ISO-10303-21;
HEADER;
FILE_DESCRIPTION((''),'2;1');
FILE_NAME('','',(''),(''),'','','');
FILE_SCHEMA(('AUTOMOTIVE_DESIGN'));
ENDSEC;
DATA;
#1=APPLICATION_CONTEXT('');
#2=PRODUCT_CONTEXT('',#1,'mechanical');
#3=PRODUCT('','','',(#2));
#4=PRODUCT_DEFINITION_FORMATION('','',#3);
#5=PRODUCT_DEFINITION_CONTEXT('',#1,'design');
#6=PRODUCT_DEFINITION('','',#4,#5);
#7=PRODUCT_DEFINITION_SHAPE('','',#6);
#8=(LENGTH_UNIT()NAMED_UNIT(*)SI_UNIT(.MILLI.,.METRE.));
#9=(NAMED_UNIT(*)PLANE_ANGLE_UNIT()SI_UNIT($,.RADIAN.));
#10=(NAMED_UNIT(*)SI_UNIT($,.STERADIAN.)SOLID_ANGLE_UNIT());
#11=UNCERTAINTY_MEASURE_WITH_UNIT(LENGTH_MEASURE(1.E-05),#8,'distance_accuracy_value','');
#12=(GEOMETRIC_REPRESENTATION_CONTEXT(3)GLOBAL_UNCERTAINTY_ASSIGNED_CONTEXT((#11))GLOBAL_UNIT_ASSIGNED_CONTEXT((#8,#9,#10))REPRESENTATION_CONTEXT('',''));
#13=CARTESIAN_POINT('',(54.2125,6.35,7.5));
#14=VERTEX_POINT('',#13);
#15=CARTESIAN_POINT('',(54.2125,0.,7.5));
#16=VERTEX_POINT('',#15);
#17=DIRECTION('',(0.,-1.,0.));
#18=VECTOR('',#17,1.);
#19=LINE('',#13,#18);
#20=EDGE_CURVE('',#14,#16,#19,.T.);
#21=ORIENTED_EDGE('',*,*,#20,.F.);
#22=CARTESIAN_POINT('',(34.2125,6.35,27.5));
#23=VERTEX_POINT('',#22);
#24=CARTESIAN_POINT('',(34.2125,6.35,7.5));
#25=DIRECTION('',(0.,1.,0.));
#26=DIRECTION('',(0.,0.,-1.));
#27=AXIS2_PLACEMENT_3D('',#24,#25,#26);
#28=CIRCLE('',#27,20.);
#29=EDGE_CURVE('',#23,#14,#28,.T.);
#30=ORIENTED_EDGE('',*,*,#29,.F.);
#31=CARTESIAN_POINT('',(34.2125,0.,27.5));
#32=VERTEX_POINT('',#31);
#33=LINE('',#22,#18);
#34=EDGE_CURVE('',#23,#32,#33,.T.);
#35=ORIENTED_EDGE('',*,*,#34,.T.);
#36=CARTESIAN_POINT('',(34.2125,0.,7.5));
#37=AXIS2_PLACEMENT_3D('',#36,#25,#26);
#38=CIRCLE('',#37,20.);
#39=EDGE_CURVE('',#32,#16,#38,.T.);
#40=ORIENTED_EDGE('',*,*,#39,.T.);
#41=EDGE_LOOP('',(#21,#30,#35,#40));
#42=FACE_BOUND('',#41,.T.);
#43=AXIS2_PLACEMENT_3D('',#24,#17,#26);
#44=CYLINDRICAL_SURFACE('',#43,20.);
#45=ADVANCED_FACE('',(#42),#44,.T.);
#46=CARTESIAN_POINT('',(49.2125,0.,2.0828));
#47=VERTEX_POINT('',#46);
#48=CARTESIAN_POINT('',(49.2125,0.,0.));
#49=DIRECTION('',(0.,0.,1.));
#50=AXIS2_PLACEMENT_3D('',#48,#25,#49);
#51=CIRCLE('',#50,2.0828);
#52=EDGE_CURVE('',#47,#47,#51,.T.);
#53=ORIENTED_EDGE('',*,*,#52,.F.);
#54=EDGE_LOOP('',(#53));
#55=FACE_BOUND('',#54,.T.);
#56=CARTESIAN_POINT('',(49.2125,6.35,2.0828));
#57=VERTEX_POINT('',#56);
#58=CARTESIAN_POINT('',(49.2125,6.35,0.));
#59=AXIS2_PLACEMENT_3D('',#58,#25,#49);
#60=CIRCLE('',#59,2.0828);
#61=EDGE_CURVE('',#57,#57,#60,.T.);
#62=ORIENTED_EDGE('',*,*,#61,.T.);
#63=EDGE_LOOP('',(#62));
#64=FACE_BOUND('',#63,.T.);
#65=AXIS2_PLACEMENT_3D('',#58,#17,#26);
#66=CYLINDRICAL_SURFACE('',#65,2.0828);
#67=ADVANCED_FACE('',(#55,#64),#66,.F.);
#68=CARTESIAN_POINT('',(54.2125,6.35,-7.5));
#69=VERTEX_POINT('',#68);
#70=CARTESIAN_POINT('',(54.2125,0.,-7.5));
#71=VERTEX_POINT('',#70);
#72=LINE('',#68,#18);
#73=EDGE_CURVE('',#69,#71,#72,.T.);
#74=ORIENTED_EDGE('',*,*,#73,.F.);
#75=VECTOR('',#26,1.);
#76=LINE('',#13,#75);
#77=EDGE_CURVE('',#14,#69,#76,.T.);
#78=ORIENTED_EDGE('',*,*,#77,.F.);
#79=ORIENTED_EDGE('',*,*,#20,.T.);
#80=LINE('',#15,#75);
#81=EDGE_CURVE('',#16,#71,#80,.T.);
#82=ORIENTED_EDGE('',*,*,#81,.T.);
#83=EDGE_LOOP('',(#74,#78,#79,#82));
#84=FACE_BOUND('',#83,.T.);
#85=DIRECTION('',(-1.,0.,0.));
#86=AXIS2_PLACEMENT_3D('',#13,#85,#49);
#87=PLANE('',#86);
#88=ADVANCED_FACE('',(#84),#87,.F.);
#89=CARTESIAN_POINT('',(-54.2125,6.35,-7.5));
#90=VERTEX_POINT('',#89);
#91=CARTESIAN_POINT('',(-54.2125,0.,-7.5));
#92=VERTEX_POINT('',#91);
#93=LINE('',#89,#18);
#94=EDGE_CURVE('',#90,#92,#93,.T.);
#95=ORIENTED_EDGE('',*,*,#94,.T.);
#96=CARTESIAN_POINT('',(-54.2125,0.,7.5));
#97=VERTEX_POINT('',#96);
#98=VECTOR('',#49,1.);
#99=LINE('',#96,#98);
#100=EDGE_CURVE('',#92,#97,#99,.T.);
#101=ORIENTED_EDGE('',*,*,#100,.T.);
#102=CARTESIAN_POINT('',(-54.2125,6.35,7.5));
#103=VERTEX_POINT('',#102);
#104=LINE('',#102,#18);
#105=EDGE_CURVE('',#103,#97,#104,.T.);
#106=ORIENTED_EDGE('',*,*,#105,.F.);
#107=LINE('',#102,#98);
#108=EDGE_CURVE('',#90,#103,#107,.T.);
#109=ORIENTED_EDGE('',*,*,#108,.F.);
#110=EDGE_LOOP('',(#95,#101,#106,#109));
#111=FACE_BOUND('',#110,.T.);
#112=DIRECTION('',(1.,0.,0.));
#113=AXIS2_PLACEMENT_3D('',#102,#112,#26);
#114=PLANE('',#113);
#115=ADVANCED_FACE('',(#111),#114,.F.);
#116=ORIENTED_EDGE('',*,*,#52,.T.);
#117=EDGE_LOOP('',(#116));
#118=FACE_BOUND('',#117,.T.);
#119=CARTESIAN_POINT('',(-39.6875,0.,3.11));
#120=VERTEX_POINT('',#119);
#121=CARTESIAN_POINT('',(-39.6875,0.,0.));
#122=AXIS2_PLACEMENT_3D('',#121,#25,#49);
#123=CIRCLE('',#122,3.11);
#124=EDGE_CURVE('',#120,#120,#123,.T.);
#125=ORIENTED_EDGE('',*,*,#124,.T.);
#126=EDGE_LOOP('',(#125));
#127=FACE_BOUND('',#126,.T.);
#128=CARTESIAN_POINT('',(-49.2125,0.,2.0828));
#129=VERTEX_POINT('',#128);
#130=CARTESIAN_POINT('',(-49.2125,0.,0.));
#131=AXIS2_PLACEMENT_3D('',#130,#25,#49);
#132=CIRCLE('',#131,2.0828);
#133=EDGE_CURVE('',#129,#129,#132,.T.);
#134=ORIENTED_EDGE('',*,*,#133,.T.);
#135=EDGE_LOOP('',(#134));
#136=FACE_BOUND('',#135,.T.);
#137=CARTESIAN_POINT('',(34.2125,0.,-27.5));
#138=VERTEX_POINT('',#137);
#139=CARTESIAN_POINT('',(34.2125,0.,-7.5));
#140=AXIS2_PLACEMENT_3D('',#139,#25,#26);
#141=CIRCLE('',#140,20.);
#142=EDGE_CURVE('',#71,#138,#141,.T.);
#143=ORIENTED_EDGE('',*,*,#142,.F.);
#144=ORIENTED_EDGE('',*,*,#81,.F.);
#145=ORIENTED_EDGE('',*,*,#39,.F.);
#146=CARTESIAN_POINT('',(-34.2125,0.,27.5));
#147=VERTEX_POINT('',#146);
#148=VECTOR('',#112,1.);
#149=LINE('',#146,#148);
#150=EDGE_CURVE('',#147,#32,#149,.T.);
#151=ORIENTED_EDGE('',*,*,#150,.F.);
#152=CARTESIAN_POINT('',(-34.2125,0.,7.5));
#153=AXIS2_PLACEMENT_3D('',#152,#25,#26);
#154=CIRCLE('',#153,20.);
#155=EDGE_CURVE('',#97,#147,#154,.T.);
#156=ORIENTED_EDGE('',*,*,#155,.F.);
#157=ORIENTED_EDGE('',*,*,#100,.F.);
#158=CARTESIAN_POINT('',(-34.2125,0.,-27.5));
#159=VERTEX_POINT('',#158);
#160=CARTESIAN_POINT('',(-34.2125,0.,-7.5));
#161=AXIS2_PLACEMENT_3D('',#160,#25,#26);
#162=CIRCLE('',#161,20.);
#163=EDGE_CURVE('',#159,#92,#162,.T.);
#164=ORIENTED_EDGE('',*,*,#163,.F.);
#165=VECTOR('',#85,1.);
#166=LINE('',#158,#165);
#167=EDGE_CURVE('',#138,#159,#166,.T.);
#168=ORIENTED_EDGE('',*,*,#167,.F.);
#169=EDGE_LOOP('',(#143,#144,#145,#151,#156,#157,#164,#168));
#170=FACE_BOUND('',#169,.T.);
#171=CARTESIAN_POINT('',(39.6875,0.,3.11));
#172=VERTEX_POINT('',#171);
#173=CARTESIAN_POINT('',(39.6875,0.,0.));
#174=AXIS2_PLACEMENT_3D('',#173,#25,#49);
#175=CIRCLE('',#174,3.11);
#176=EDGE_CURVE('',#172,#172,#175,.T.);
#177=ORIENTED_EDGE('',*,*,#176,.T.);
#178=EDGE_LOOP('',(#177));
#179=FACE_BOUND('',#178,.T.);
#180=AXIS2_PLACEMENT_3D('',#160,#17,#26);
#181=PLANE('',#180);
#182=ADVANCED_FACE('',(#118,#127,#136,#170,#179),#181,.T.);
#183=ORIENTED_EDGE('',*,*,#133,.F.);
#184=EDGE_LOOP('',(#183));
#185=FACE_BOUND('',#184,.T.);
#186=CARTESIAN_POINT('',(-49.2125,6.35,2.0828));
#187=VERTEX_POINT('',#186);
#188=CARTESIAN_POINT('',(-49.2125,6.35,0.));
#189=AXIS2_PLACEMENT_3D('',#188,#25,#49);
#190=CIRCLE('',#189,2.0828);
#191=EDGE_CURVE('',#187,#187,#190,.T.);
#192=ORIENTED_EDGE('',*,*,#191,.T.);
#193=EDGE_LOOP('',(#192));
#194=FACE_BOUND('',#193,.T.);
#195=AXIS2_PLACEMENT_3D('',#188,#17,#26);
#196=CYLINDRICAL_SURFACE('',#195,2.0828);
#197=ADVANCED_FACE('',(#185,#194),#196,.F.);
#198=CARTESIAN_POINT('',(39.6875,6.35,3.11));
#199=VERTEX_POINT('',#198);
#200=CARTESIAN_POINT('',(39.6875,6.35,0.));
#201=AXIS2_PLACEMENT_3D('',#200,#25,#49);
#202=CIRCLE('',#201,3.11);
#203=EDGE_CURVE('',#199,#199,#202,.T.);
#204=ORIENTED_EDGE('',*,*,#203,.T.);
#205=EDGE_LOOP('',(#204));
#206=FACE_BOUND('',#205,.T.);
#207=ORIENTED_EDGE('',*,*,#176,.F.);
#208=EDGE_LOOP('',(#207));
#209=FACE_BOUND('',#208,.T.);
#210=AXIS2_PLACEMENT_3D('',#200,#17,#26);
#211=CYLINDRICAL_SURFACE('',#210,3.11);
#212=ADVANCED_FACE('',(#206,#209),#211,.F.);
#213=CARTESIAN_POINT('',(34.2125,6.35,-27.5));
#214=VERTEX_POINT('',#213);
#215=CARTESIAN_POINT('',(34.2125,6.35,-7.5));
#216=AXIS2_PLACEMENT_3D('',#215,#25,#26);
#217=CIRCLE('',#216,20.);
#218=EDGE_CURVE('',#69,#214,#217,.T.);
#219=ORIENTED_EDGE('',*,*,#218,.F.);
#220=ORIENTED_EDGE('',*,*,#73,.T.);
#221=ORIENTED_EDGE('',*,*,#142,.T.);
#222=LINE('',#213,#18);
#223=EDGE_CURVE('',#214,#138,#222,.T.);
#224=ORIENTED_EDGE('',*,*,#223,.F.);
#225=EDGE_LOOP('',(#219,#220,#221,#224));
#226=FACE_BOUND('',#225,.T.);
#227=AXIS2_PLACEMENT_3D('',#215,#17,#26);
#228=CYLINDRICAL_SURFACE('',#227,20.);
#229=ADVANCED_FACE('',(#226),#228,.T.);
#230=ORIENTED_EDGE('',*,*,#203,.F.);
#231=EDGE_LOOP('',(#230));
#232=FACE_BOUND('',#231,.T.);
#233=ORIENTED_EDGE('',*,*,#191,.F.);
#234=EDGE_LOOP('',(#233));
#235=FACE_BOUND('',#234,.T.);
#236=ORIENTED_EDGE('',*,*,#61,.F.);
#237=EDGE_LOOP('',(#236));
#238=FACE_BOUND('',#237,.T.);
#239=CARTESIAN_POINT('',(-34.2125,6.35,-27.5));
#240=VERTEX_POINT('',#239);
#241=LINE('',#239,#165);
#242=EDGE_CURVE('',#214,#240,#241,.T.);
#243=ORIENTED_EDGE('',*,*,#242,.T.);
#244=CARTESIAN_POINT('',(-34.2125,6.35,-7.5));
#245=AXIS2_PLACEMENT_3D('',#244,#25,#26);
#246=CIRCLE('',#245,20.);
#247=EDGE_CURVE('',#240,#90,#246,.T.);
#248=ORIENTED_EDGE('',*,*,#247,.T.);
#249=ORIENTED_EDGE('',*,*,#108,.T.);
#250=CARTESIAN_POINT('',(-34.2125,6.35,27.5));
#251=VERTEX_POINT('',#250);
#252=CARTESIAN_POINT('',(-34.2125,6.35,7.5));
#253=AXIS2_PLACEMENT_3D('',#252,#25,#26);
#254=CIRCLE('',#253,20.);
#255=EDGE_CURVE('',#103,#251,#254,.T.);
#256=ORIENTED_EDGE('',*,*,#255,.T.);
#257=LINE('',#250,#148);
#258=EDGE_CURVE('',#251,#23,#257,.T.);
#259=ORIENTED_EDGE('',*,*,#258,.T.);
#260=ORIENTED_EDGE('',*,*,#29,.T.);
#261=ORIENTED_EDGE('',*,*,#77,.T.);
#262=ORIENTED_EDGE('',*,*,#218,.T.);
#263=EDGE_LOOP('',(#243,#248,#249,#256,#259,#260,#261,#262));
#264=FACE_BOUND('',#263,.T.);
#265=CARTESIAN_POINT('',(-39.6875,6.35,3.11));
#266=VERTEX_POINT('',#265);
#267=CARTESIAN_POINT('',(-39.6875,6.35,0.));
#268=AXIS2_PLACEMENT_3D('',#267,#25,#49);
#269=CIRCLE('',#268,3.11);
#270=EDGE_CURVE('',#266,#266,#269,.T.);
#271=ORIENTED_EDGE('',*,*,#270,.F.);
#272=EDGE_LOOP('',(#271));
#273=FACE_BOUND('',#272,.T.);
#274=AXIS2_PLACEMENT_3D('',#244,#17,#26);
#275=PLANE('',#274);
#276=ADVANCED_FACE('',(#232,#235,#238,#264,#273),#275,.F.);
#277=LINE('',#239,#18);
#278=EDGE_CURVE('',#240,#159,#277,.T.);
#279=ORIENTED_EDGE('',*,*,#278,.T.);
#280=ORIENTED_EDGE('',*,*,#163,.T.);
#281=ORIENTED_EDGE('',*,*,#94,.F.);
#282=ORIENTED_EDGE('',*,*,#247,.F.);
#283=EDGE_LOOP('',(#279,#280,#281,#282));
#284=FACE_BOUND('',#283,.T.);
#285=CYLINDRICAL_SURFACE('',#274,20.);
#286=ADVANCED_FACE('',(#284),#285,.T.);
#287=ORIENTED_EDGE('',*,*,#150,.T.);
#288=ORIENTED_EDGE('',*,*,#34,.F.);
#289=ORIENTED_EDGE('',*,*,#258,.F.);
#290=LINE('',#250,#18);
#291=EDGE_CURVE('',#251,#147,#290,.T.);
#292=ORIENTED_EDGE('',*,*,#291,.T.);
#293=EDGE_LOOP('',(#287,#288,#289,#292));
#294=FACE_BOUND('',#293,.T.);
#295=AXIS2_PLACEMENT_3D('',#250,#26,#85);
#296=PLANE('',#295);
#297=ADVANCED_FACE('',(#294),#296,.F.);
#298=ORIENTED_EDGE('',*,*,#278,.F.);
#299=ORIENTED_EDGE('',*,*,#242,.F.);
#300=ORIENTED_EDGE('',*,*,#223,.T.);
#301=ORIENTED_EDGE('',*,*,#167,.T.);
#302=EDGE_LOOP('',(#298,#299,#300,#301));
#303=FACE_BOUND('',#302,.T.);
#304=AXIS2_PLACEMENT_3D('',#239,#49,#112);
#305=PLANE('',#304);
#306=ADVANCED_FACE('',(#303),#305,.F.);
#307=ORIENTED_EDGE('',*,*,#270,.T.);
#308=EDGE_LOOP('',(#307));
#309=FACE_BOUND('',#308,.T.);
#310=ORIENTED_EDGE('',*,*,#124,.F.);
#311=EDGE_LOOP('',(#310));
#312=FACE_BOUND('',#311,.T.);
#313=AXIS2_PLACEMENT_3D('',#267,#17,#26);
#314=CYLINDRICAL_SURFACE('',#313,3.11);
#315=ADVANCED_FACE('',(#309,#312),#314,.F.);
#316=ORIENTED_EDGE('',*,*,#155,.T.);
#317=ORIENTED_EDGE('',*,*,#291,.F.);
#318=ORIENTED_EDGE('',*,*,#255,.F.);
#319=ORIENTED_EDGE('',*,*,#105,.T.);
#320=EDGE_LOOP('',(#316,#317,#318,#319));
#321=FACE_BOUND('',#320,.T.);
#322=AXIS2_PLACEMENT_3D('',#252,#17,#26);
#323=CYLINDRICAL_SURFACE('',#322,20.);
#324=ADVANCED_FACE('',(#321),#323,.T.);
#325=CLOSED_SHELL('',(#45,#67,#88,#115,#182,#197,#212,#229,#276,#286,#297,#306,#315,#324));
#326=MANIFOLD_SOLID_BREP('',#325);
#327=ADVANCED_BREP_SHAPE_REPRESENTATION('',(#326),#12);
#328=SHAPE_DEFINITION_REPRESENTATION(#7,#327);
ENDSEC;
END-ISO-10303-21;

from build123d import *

# Parameters (mm, degrees)
SKETCH1_R           = 2.0828
SKETCH1_R_2         = 3.11
BOSS_EXTRUDE1_DEPTH = 6.35


with BuildPart() as part:
    # Sketch1 → Boss-Extrude1 (new body)
    with BuildSketch(Plane(origin=(0, 0, 0), x_dir=(1, 0, 0), z_dir=(0, 1, 0))):
        with BuildLine():
            Line((-34.2125, -27.5), (34.2125, -27.5))
            ThreePointArc((34.2125, -27.5), (48.354635624, -21.642135624), (54.2125, -7.5))
            Line((54.2125, -7.5), (54.2125, 7.5))
            ThreePointArc((54.2125, 7.5), (48.354635624, 21.642135624), (34.2125, 27.5))
            Line((34.2125, 27.5), (-34.2125, 27.5))
            ThreePointArc((-34.2125, 27.5), (-48.354635624, 21.642135624), (-54.2125, 7.5))
            Line((-54.2125, 7.5), (-54.2125, -7.5))
            ThreePointArc((-54.2125, -7.5), (-48.354635624, -21.642135624), (-34.2125, -27.5))
        make_face()
        with Locations(Location((-49.2125, 0, 0), (0, 0, 270))):
            Circle(SKETCH1_R, mode=Mode.SUBTRACT)
        with Locations(Location((49.2125, 0, 0), (0, 0, 270))):
            Circle(SKETCH1_R, mode=Mode.SUBTRACT)
        with Locations(Location((-39.6875, 0, 0), (0, 0, 270))):
            Circle(SKETCH1_R_2, mode=Mode.SUBTRACT)
        with Locations(Location((39.6875, 0, 0), (0, 0, 270))):
            Circle(SKETCH1_R_2, mode=Mode.SUBTRACT)
    extrude(amount=BOSS_EXTRUDE1_DEPTH)


solid = part.part
